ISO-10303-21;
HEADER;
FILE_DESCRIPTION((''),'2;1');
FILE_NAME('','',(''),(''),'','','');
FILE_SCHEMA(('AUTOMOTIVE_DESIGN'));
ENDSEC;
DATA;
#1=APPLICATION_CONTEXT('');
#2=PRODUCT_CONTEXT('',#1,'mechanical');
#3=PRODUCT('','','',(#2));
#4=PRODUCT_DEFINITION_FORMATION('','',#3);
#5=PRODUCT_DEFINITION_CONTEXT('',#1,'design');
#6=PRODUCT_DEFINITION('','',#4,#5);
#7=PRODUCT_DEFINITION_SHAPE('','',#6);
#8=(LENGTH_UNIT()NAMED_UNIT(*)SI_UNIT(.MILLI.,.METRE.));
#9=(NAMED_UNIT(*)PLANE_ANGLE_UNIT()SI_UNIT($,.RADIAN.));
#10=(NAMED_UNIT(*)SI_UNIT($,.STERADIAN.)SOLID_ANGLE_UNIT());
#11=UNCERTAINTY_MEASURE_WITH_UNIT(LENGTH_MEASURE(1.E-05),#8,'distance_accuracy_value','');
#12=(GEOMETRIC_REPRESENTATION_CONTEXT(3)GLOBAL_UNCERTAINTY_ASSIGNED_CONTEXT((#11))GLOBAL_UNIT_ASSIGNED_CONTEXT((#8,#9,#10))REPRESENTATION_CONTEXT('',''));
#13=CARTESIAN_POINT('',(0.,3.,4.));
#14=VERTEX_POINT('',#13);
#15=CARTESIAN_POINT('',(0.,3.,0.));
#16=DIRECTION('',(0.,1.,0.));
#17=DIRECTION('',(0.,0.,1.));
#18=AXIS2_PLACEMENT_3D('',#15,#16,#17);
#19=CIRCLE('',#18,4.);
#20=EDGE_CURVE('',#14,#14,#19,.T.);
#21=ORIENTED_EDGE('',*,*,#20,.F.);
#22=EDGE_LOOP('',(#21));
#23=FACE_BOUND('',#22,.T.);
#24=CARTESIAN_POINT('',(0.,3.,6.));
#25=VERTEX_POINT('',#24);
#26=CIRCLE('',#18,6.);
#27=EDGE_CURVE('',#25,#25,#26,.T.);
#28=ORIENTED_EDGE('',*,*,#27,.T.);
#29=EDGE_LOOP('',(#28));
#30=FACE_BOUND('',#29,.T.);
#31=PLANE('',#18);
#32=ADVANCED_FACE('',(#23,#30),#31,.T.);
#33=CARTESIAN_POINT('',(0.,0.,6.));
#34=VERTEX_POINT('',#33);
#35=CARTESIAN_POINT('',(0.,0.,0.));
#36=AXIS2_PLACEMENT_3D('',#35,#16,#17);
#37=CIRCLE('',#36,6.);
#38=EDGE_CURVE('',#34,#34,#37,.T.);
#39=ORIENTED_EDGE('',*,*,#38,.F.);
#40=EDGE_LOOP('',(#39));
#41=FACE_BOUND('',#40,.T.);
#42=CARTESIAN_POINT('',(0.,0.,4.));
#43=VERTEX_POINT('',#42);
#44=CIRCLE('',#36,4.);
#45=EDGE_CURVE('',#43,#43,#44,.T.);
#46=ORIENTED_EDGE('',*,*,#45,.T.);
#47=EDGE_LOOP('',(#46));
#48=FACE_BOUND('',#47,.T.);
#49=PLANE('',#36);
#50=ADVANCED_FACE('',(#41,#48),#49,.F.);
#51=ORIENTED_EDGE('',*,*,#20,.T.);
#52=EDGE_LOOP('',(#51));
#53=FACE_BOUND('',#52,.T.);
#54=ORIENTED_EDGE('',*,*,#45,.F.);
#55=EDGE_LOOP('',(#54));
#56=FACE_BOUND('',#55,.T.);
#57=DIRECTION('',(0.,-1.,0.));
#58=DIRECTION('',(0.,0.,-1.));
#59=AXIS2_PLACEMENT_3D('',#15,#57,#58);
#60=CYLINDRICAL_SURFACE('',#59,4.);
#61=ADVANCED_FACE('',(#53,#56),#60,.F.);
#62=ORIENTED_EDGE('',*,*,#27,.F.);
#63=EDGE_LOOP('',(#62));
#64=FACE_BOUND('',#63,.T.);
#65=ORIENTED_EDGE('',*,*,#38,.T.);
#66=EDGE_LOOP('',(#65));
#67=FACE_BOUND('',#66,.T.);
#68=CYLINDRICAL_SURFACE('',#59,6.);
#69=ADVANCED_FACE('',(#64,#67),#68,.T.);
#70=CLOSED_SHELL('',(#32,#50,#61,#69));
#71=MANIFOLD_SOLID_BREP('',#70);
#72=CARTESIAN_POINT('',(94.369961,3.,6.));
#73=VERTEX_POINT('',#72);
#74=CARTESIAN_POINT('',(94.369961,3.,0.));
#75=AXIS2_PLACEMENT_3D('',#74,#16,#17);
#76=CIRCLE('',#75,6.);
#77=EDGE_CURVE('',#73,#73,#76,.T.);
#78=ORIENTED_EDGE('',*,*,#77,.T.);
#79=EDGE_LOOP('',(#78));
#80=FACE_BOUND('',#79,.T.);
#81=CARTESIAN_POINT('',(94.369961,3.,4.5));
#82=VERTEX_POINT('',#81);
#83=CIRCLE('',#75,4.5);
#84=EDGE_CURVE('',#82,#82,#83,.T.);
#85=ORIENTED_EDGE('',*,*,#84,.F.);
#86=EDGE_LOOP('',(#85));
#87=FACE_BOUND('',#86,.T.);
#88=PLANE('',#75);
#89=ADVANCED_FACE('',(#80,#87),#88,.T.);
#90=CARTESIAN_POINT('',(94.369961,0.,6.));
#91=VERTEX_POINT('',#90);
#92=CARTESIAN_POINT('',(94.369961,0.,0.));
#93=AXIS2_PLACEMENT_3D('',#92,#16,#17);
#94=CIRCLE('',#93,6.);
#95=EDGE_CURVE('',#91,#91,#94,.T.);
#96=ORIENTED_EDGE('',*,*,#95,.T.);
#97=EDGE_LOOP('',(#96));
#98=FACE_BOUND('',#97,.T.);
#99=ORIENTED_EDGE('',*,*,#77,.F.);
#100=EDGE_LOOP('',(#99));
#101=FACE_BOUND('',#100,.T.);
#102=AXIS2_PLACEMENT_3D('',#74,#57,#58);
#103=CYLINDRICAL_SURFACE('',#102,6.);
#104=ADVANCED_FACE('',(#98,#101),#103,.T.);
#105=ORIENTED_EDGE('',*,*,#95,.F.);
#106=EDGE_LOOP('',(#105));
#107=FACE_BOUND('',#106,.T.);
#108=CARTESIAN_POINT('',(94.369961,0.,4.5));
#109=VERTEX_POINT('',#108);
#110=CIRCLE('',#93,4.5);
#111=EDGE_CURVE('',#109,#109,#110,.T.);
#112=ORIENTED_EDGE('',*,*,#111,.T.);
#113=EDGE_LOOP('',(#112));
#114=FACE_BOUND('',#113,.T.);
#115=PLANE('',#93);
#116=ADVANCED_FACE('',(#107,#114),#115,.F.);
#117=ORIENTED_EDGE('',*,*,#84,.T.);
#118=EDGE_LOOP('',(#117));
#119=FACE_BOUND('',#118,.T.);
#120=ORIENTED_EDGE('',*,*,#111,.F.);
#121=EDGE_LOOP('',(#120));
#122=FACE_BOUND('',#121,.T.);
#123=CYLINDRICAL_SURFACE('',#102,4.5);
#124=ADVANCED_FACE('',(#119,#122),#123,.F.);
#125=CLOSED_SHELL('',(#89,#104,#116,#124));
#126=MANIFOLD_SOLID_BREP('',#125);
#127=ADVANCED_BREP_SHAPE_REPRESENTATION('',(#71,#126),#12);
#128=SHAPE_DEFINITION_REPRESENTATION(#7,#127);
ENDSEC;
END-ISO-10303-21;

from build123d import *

# Parameters (mm, degrees)
SKETCH1_R             = 6
SKETCH1_R_2           = 4
BOSS_EXTRUDE1_DEPTH   = 3
SKETCH1_R_3           = 4.5
BOSS_EXTRUDE1_2_DEPTH = 3


with BuildPart() as part:
    # Sketch1 → Boss-Extrude1 (new body)
    with BuildSketch(Plane(origin=(0, 0, 0), x_dir=(1, 0, 0), z_dir=(0, 1, 0))):
        with Locations(Location((0, 0, 0), (0, 0, 270))):
            Circle(SKETCH1_R)
        with Locations(Location((0, 0, 0), (0, 0, 270))):
            Circle(SKETCH1_R_2, mode=Mode.SUBTRACT)
    extrude(amount=BOSS_EXTRUDE1_DEPTH)


with BuildPart() as body_2:
    # Sketch1 → Boss-Extrude1 2 (new body)
    with BuildSketch(Plane(origin=(0, 0, 0), x_dir=(1, 0, 0), z_dir=(0, 1, 0))):
        with Locations(Location((94.369960569, 0, 0), (0, 0, 270))):
            Circle(SKETCH1_R)
        with Locations(Location((94.369960569, 0, 0), (0, 0, 270))):
            Circle(SKETCH1_R_3, mode=Mode.SUBTRACT)
    extrude(amount=BOSS_EXTRUDE1_2_DEPTH)


solid = Compound([part.part, body_2.part])
